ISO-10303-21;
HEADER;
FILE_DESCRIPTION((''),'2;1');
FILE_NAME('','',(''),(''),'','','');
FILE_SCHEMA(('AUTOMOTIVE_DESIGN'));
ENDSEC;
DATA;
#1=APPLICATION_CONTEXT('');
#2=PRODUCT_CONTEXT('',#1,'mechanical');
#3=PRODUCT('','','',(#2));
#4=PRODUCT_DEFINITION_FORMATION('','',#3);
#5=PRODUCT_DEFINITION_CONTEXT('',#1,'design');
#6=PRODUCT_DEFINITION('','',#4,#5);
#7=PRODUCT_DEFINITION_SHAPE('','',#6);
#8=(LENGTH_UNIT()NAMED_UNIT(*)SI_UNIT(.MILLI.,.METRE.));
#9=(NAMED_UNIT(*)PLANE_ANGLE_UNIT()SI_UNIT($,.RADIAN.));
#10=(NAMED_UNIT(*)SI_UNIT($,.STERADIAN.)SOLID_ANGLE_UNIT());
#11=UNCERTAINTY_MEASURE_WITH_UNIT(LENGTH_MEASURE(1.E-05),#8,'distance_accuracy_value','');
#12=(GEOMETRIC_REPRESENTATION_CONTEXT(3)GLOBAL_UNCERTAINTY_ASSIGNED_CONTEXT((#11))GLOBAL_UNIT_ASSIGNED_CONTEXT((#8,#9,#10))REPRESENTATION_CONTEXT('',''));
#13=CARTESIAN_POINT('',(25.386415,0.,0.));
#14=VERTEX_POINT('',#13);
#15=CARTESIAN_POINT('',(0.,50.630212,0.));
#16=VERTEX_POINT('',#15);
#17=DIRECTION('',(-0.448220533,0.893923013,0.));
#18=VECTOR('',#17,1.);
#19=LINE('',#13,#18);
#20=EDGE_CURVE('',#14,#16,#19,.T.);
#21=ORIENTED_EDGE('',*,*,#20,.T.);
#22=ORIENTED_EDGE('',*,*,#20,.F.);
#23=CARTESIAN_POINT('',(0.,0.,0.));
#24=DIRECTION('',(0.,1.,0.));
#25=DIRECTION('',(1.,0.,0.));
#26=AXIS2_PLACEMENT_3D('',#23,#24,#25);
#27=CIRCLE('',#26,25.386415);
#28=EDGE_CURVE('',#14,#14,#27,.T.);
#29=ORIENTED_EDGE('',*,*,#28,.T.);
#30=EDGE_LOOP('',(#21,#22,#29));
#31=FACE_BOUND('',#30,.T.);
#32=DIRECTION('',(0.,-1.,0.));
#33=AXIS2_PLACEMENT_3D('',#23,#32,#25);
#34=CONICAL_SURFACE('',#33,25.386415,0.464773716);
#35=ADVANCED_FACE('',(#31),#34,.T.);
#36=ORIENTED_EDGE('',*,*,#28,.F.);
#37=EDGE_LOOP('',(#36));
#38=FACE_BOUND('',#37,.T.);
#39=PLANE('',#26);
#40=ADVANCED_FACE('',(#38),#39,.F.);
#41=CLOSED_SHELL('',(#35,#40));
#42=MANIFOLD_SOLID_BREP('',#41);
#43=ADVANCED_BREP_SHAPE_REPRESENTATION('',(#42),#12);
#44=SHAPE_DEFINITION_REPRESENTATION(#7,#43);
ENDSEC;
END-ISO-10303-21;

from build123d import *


with BuildPart() as f1:
    # F0 (on Top) → F1 (revolve)
    with BuildSketch(Plane.XY):
        Polygon((0, 50.630212), (0, 0), (25.386415, 0), align=None)
    revolve(axis=Axis((0, 25.315106, 0), (0, 1, 0)))


solid = f1.part
